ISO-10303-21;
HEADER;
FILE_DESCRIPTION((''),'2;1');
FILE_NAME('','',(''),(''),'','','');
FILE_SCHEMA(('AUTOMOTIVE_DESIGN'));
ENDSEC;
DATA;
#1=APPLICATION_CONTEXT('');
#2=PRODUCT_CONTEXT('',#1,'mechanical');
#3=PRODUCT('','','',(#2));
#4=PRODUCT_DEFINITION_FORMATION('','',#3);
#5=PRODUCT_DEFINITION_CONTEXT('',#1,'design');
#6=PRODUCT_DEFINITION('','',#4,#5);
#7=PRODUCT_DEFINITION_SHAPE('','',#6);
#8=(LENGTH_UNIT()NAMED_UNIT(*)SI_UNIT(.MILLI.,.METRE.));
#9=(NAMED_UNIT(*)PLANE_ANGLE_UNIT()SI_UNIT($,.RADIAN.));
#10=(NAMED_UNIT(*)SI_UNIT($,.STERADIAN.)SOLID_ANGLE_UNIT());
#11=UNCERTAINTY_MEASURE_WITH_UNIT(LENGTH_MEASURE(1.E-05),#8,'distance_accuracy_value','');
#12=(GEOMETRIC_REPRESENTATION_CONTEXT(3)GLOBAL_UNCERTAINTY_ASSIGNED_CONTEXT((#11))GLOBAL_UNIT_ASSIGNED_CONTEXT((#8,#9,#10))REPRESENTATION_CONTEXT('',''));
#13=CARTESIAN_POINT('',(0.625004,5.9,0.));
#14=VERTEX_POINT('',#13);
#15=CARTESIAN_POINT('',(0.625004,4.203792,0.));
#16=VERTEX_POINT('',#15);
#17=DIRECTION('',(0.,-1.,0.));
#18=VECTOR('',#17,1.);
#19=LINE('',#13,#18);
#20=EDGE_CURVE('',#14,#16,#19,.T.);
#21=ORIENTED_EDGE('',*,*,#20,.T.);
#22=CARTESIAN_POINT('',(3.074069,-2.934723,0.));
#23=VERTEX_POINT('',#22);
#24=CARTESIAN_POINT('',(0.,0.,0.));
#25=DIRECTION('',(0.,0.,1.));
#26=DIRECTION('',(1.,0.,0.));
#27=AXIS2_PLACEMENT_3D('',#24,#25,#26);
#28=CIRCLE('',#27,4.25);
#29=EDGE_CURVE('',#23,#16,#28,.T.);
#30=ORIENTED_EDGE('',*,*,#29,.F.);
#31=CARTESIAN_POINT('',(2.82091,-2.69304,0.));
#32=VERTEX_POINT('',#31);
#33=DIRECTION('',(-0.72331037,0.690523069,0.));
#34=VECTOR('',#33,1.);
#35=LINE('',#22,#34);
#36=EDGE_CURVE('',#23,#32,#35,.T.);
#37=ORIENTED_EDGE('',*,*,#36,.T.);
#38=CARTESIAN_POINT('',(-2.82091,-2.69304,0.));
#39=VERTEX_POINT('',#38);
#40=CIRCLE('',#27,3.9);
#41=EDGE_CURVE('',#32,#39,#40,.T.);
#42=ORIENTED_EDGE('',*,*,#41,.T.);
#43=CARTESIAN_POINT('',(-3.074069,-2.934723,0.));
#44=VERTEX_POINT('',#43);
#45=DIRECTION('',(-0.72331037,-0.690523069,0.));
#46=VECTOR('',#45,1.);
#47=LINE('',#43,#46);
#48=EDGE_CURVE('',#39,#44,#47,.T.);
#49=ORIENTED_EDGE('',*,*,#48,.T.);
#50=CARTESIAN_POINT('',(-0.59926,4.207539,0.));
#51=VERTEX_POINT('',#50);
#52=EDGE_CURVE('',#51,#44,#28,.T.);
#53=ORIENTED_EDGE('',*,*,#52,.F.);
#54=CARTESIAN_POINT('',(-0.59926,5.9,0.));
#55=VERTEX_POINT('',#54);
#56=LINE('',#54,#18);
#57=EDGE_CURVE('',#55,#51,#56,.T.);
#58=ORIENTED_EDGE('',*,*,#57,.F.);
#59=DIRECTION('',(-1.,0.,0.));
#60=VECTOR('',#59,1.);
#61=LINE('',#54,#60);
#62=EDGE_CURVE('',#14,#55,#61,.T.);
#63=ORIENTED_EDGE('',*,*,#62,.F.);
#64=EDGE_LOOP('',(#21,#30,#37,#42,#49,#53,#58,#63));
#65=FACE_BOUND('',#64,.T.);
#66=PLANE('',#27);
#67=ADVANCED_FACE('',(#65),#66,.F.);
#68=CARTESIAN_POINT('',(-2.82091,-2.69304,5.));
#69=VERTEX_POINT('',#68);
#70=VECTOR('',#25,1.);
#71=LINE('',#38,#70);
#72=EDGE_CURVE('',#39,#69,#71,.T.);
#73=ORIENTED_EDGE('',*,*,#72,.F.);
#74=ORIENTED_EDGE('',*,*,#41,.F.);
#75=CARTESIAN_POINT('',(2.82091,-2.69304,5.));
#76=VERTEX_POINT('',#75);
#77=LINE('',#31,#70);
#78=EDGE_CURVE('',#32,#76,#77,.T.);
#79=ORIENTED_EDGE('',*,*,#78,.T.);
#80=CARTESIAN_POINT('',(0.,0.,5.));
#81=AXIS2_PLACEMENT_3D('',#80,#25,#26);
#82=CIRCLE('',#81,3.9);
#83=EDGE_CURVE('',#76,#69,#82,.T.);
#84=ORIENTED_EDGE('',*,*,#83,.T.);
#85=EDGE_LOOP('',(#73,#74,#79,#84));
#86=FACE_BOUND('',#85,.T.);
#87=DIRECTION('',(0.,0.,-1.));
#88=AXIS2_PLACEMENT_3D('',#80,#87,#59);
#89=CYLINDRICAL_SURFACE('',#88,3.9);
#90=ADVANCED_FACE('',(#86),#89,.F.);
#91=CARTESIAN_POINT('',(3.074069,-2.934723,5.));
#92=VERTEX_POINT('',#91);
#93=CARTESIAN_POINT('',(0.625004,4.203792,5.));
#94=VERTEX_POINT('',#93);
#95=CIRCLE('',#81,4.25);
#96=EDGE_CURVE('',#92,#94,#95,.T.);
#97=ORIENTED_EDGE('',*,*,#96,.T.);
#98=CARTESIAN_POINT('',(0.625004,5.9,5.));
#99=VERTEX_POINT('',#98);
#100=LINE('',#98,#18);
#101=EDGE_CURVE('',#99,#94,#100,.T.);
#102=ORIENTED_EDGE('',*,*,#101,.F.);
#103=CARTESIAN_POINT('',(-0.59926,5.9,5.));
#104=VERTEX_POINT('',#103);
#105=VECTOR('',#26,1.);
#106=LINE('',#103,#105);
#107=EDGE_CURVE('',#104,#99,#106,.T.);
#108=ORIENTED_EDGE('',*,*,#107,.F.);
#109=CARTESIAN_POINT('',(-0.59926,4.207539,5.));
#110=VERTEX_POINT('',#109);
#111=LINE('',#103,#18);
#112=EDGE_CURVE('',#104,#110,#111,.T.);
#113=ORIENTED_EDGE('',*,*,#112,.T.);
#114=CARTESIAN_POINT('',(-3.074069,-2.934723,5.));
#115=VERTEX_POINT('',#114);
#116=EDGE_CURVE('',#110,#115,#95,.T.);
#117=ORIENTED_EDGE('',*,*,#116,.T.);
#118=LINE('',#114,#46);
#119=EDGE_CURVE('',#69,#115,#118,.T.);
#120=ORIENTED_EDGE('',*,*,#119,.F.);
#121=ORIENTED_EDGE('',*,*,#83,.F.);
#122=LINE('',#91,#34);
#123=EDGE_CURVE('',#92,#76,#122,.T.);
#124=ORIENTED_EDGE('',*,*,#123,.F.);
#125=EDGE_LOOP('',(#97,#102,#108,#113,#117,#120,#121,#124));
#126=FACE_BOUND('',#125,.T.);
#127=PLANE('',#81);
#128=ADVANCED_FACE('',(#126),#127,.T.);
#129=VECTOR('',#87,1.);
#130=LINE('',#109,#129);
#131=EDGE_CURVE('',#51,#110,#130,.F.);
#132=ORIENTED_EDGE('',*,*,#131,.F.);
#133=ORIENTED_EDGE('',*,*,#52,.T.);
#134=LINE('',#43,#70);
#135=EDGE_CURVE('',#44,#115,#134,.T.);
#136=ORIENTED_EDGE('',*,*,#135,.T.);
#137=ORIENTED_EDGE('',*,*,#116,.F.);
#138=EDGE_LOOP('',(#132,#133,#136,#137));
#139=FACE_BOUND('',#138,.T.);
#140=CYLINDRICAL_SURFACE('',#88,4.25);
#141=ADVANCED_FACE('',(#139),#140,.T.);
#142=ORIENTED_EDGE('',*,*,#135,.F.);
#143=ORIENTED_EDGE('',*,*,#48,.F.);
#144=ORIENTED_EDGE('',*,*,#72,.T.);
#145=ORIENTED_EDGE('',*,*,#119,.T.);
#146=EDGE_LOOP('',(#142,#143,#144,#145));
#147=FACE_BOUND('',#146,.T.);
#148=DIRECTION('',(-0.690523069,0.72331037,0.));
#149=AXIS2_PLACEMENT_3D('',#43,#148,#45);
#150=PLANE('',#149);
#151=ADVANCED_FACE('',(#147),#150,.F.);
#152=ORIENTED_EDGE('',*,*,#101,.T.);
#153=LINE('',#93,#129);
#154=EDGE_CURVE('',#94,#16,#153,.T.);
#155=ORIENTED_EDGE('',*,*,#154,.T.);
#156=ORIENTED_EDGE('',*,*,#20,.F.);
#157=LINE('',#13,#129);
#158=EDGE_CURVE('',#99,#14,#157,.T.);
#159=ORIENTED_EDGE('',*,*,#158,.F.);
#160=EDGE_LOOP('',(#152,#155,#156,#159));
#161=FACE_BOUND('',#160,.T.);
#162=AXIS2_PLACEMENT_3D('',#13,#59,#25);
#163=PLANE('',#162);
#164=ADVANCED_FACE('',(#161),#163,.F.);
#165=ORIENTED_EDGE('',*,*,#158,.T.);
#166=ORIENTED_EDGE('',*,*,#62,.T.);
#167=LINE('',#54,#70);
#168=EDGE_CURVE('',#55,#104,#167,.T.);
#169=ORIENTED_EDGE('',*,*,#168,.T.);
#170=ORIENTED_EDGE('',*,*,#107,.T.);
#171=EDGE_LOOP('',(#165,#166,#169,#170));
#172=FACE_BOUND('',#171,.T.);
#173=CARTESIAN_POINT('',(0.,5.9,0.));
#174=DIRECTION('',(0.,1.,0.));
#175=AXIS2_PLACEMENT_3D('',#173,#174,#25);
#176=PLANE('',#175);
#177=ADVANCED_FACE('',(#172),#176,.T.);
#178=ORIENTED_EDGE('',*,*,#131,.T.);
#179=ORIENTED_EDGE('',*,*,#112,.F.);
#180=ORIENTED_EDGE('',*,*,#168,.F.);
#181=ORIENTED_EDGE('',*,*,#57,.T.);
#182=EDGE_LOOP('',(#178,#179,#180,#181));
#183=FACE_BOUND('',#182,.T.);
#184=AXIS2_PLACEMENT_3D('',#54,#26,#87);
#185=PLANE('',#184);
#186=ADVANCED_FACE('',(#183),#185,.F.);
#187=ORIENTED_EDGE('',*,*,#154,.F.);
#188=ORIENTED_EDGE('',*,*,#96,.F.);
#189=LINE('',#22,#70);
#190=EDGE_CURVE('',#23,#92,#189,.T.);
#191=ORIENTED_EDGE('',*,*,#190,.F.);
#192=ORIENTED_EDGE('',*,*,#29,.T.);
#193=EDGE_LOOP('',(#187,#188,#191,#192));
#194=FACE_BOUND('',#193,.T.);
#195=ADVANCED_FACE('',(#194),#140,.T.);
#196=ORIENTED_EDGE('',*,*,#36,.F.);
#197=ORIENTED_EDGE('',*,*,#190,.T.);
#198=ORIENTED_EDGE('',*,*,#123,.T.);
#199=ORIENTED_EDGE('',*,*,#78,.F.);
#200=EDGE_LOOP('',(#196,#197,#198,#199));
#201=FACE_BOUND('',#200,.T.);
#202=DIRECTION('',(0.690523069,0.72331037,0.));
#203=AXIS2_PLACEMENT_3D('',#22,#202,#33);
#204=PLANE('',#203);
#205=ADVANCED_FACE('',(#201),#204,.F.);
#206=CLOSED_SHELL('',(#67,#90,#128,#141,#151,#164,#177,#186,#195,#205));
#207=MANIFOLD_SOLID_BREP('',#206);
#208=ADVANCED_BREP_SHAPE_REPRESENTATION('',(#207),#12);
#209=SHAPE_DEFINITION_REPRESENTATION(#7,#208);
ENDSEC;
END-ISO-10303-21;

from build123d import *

# Parameters (mm, degrees)
SKETCH1_R           = 4.25
SKETCH1_R_2         = 3.9
BOSS_EXTRUDE1_DEPTH = 5
CUT_EXTRUDE1_DEPTH  = 5
SKETCH3_W           = 1.224263259
SKETCH3_H           = 5
BOSS_EXTRUDE2_DEPTH = 2


with BuildPart() as part:
    # Sketch1 → Boss-Extrude1 (new body)
    with BuildSketch(Plane.XY):
        Circle(SKETCH1_R)
        Circle(SKETCH1_R_2, mode=Mode.SUBTRACT)
    extrude(amount=BOSS_EXTRUDE1_DEPTH)

    # Sketch2 → Cut-Extrude1 (cut)
    with BuildSketch(Plane.XY.offset(5)):
        with BuildLine():
            Line((-3.074069072, -2.934723044), (-2.820910442, -2.69303997))
            ThreePointArc((-2.820910442, -2.69303997), (0, -3.9), (2.820910442, -2.69303997))
            Line((2.820910442, -2.69303997), (3.074069072, -2.934723044))
            ThreePointArc((3.074069072, -2.934723044), (0, -4.25), (-3.074069072, -2.934723044))
        make_face()
    extrude(amount=-CUT_EXTRUDE1_DEPTH, mode=Mode.SUBTRACT)

    # Sketch3 → Boss-Extrude2 (add)
    with BuildSketch(Plane(origin=(0, 3.9, 0), x_dir=(1, 0, 0), z_dir=(0, 1, 0))):
        with Locations((0.012871952, -2.5)):
            Rectangle(SKETCH3_W, SKETCH3_H)
    extrude(amount=BOSS_EXTRUDE2_DEPTH)


solid = part.part
